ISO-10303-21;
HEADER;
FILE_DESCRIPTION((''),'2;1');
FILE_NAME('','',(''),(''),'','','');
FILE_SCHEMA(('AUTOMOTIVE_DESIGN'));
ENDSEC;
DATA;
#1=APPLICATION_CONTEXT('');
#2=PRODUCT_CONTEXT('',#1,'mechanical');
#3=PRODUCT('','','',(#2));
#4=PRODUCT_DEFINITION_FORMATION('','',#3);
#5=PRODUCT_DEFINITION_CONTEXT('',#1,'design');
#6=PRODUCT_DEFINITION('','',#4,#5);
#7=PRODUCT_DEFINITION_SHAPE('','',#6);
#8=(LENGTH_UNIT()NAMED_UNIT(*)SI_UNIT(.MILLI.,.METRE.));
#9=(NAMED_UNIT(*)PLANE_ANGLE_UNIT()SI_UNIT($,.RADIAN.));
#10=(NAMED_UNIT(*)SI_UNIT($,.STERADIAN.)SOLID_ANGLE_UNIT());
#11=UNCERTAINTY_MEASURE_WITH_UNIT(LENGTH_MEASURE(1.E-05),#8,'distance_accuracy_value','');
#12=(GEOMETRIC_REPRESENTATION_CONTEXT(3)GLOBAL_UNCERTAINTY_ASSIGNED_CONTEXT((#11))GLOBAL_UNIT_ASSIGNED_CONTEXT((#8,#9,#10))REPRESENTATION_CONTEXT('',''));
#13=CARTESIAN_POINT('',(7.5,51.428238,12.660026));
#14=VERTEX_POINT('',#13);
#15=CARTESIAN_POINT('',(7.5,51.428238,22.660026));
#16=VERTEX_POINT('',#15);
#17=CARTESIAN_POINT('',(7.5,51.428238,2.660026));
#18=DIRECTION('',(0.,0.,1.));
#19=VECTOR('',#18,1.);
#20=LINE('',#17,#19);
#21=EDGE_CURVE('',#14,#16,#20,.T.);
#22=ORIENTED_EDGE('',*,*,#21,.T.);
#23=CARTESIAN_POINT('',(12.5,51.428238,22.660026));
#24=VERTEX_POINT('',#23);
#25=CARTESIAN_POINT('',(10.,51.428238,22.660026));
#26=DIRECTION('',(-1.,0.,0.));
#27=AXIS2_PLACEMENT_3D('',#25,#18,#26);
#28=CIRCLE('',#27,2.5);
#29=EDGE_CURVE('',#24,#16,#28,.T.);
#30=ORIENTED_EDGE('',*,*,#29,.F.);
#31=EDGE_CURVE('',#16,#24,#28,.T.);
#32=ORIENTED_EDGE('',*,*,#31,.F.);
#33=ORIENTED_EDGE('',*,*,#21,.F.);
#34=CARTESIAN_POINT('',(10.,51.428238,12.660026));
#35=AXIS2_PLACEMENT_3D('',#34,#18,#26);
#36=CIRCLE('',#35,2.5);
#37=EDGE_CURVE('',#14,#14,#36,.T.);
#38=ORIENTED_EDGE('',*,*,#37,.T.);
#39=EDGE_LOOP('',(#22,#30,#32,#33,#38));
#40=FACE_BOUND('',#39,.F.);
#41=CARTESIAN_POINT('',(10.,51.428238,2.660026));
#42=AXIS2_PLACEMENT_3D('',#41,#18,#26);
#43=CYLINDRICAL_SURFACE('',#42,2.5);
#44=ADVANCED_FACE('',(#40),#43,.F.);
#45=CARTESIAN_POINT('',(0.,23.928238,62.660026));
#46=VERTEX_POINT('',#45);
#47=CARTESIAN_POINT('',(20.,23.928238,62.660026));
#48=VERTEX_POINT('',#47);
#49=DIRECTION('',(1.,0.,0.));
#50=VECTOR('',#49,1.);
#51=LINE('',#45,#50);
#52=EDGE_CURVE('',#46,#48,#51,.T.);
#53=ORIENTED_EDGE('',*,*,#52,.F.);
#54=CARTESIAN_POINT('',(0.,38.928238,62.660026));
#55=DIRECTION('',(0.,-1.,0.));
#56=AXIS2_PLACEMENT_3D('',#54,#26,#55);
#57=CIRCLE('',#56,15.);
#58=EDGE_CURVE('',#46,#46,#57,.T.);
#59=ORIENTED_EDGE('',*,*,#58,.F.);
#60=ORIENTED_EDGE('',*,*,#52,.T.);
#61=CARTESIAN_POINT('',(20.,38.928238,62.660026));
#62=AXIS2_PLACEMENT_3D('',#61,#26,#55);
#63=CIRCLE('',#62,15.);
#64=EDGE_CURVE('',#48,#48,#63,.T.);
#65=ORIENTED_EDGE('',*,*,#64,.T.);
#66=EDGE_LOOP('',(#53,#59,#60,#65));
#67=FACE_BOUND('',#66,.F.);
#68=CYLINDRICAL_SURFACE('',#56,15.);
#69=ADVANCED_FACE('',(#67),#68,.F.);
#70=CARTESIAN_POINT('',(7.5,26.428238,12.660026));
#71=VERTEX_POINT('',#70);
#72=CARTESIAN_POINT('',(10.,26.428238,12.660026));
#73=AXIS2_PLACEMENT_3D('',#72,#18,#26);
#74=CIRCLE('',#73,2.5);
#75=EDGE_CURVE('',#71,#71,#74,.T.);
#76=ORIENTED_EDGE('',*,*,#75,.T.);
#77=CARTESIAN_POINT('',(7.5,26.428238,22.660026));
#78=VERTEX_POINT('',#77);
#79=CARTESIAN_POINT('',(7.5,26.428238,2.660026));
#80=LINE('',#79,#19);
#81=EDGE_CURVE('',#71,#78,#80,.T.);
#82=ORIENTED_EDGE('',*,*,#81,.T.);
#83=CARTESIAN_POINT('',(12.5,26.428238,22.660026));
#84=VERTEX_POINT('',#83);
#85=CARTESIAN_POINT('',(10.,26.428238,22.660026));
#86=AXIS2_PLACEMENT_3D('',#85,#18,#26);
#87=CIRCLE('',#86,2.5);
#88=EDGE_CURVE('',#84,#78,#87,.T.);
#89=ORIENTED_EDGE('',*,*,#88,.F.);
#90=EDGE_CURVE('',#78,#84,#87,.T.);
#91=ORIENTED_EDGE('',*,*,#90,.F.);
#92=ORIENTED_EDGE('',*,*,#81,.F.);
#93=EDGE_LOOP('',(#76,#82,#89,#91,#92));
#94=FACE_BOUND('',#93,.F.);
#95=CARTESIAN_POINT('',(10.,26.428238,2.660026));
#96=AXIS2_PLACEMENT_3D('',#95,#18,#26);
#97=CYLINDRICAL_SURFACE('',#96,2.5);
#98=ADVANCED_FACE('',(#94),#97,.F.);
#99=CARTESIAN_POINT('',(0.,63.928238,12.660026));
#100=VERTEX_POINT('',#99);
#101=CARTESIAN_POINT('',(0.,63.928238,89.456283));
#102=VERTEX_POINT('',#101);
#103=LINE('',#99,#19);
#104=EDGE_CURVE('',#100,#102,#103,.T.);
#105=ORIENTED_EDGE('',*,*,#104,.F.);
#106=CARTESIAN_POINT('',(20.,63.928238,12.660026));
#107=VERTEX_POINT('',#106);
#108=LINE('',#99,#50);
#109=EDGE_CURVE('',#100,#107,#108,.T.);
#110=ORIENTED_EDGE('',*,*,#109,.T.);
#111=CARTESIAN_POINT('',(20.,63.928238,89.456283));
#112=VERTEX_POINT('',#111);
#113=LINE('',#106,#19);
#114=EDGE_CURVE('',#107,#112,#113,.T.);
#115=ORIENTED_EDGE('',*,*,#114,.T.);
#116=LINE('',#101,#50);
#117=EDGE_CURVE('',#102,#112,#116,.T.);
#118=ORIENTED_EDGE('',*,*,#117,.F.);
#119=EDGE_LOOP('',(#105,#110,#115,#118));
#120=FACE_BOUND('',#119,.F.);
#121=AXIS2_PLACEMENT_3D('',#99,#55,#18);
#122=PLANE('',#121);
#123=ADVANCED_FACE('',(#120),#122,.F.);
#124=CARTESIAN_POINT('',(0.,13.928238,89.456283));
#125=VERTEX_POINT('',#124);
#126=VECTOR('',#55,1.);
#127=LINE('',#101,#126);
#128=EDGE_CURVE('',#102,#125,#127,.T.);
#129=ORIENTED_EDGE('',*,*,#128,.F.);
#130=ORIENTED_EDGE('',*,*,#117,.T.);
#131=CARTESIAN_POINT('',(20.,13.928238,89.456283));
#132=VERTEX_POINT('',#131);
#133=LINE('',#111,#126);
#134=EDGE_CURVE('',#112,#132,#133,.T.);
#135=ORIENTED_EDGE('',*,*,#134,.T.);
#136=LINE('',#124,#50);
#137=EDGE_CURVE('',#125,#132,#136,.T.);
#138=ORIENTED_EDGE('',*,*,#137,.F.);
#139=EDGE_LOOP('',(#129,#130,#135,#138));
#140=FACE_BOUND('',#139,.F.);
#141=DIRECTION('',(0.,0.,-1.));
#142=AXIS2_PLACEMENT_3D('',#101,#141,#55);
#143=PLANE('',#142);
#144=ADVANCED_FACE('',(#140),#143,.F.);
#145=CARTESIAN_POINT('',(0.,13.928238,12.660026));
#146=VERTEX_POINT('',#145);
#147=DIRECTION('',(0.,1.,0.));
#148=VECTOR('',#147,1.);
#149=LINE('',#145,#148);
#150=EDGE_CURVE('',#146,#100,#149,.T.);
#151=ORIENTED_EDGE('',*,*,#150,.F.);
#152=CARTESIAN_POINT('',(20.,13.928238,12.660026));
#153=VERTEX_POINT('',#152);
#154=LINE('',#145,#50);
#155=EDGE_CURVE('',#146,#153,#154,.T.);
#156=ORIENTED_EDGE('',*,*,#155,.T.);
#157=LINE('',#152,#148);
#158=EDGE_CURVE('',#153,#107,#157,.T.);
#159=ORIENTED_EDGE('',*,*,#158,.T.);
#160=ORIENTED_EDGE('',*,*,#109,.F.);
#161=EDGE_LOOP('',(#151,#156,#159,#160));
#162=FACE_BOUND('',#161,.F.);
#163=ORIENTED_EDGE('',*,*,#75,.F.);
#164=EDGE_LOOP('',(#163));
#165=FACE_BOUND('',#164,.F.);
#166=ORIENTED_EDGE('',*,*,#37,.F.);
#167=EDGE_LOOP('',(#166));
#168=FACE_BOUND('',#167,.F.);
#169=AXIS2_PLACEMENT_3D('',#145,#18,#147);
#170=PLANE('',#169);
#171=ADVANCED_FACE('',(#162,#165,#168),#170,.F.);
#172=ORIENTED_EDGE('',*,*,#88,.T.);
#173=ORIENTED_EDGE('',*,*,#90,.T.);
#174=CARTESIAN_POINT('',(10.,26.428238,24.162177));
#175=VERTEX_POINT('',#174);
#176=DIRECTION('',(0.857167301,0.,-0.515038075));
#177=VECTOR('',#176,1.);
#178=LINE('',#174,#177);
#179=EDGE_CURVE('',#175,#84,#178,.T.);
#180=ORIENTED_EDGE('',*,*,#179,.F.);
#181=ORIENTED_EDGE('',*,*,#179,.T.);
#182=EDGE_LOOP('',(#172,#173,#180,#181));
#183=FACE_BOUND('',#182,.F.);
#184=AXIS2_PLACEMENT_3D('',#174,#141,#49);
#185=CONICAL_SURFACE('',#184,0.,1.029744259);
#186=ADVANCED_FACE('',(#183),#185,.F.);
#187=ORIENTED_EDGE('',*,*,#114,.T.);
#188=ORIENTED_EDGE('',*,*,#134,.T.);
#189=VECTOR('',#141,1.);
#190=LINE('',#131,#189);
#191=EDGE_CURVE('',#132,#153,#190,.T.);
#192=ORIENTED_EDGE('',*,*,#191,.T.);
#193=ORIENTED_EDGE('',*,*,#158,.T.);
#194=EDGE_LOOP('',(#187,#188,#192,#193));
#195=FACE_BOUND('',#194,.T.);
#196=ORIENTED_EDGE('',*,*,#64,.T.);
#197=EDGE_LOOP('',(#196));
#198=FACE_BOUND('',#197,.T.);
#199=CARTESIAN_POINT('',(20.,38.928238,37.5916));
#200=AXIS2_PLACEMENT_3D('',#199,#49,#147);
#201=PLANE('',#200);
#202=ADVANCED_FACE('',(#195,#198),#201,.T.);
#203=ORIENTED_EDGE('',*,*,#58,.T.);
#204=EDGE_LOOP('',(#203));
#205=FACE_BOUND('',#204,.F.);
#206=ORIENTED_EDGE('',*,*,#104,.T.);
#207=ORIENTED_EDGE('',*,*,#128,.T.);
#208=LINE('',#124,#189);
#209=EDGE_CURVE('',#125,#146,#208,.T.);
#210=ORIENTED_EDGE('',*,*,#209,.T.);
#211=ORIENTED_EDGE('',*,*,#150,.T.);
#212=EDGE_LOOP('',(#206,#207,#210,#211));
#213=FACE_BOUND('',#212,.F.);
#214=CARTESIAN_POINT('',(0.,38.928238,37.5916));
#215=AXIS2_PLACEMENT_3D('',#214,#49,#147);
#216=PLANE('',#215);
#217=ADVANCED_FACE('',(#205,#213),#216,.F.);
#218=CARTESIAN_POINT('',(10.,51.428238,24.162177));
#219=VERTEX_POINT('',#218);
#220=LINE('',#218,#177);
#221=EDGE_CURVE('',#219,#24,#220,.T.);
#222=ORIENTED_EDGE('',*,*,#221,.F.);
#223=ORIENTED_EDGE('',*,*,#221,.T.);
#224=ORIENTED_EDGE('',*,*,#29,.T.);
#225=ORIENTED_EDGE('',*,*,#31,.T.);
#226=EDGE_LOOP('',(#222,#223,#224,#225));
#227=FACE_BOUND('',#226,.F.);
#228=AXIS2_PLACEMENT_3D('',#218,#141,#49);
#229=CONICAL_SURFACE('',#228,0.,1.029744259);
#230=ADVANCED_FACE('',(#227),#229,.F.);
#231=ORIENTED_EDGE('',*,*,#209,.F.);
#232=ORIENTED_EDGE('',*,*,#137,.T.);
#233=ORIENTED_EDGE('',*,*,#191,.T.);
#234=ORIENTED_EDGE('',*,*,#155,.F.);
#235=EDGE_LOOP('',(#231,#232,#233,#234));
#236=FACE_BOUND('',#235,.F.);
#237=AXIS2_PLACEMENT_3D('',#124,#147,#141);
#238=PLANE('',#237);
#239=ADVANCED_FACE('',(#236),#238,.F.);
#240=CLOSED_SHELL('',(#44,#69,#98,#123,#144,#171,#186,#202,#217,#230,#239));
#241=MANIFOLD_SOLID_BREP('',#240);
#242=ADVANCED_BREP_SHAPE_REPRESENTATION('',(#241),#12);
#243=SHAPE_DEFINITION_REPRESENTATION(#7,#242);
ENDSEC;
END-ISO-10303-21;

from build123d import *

# Parameters (mm, degrees)
F1_DEPTH = 20
F3_D     = 5
F3_DEPTH = 10
F3_TIP   = 1.5021515476


with BuildPart() as f1:
    # F0 (on Right) → F1 (new body)
    with BuildSketch(Plane.YZ):
        with BuildLine():
            Line((13.9282383025, 62.660025619), (13.9282383025, 12.660025619))
            Line((13.9282383025, 12.660025619), (63.9282383025, 12.660025619))
            Line((63.9282383025, 12.660025619), (63.9282383025, 62.660025619))
            Line((63.9282383025, 62.660025619), (53.9282383025, 62.660025619))
            ThreePointArc((53.9282383025, 62.660025619), (38.9282383025, 47.660025619), (23.9282383025, 62.660025619))
            Line((23.9282383025, 62.660025619), (13.9282383025, 62.660025619))
        make_face()
        with BuildLine():
            Line((13.9282383025, 89.4562825561), (13.9282383025, 62.660025619))
            Line((13.9282383025, 62.660025619), (23.9282383025, 62.660025619))
            ThreePointArc((23.9282383025, 62.660025619), (38.9282383025, 77.660025619), (53.9282383025, 62.660025619))
            Line((53.9282383025, 62.660025619), (63.9282383025, 62.660025619))
            Line((63.9282383025, 62.660025619), (63.9282383025, 89.4562825561))
            Line((63.9282383025, 89.4562825561), (13.9282383025, 89.4562825561))
        make_face()
    extrude(amount=F1_DEPTH)

    # F3
    with Locations(Plane(origin=(0, 0, 12.660025619), x_dir=(1, 0, 0), z_dir=(0, 0, -1))):
        with Locations((10, -51.4282383025), (10, -26.4282383025)):
            Hole(F3_D / 2, depth=F3_DEPTH)
            with Locations((0, 0, -(F3_DEPTH + F3_TIP / 2))):  # 118° drill point
                Cone(0, F3_D / 2, F3_TIP, mode=Mode.SUBTRACT)


solid = f1.part
